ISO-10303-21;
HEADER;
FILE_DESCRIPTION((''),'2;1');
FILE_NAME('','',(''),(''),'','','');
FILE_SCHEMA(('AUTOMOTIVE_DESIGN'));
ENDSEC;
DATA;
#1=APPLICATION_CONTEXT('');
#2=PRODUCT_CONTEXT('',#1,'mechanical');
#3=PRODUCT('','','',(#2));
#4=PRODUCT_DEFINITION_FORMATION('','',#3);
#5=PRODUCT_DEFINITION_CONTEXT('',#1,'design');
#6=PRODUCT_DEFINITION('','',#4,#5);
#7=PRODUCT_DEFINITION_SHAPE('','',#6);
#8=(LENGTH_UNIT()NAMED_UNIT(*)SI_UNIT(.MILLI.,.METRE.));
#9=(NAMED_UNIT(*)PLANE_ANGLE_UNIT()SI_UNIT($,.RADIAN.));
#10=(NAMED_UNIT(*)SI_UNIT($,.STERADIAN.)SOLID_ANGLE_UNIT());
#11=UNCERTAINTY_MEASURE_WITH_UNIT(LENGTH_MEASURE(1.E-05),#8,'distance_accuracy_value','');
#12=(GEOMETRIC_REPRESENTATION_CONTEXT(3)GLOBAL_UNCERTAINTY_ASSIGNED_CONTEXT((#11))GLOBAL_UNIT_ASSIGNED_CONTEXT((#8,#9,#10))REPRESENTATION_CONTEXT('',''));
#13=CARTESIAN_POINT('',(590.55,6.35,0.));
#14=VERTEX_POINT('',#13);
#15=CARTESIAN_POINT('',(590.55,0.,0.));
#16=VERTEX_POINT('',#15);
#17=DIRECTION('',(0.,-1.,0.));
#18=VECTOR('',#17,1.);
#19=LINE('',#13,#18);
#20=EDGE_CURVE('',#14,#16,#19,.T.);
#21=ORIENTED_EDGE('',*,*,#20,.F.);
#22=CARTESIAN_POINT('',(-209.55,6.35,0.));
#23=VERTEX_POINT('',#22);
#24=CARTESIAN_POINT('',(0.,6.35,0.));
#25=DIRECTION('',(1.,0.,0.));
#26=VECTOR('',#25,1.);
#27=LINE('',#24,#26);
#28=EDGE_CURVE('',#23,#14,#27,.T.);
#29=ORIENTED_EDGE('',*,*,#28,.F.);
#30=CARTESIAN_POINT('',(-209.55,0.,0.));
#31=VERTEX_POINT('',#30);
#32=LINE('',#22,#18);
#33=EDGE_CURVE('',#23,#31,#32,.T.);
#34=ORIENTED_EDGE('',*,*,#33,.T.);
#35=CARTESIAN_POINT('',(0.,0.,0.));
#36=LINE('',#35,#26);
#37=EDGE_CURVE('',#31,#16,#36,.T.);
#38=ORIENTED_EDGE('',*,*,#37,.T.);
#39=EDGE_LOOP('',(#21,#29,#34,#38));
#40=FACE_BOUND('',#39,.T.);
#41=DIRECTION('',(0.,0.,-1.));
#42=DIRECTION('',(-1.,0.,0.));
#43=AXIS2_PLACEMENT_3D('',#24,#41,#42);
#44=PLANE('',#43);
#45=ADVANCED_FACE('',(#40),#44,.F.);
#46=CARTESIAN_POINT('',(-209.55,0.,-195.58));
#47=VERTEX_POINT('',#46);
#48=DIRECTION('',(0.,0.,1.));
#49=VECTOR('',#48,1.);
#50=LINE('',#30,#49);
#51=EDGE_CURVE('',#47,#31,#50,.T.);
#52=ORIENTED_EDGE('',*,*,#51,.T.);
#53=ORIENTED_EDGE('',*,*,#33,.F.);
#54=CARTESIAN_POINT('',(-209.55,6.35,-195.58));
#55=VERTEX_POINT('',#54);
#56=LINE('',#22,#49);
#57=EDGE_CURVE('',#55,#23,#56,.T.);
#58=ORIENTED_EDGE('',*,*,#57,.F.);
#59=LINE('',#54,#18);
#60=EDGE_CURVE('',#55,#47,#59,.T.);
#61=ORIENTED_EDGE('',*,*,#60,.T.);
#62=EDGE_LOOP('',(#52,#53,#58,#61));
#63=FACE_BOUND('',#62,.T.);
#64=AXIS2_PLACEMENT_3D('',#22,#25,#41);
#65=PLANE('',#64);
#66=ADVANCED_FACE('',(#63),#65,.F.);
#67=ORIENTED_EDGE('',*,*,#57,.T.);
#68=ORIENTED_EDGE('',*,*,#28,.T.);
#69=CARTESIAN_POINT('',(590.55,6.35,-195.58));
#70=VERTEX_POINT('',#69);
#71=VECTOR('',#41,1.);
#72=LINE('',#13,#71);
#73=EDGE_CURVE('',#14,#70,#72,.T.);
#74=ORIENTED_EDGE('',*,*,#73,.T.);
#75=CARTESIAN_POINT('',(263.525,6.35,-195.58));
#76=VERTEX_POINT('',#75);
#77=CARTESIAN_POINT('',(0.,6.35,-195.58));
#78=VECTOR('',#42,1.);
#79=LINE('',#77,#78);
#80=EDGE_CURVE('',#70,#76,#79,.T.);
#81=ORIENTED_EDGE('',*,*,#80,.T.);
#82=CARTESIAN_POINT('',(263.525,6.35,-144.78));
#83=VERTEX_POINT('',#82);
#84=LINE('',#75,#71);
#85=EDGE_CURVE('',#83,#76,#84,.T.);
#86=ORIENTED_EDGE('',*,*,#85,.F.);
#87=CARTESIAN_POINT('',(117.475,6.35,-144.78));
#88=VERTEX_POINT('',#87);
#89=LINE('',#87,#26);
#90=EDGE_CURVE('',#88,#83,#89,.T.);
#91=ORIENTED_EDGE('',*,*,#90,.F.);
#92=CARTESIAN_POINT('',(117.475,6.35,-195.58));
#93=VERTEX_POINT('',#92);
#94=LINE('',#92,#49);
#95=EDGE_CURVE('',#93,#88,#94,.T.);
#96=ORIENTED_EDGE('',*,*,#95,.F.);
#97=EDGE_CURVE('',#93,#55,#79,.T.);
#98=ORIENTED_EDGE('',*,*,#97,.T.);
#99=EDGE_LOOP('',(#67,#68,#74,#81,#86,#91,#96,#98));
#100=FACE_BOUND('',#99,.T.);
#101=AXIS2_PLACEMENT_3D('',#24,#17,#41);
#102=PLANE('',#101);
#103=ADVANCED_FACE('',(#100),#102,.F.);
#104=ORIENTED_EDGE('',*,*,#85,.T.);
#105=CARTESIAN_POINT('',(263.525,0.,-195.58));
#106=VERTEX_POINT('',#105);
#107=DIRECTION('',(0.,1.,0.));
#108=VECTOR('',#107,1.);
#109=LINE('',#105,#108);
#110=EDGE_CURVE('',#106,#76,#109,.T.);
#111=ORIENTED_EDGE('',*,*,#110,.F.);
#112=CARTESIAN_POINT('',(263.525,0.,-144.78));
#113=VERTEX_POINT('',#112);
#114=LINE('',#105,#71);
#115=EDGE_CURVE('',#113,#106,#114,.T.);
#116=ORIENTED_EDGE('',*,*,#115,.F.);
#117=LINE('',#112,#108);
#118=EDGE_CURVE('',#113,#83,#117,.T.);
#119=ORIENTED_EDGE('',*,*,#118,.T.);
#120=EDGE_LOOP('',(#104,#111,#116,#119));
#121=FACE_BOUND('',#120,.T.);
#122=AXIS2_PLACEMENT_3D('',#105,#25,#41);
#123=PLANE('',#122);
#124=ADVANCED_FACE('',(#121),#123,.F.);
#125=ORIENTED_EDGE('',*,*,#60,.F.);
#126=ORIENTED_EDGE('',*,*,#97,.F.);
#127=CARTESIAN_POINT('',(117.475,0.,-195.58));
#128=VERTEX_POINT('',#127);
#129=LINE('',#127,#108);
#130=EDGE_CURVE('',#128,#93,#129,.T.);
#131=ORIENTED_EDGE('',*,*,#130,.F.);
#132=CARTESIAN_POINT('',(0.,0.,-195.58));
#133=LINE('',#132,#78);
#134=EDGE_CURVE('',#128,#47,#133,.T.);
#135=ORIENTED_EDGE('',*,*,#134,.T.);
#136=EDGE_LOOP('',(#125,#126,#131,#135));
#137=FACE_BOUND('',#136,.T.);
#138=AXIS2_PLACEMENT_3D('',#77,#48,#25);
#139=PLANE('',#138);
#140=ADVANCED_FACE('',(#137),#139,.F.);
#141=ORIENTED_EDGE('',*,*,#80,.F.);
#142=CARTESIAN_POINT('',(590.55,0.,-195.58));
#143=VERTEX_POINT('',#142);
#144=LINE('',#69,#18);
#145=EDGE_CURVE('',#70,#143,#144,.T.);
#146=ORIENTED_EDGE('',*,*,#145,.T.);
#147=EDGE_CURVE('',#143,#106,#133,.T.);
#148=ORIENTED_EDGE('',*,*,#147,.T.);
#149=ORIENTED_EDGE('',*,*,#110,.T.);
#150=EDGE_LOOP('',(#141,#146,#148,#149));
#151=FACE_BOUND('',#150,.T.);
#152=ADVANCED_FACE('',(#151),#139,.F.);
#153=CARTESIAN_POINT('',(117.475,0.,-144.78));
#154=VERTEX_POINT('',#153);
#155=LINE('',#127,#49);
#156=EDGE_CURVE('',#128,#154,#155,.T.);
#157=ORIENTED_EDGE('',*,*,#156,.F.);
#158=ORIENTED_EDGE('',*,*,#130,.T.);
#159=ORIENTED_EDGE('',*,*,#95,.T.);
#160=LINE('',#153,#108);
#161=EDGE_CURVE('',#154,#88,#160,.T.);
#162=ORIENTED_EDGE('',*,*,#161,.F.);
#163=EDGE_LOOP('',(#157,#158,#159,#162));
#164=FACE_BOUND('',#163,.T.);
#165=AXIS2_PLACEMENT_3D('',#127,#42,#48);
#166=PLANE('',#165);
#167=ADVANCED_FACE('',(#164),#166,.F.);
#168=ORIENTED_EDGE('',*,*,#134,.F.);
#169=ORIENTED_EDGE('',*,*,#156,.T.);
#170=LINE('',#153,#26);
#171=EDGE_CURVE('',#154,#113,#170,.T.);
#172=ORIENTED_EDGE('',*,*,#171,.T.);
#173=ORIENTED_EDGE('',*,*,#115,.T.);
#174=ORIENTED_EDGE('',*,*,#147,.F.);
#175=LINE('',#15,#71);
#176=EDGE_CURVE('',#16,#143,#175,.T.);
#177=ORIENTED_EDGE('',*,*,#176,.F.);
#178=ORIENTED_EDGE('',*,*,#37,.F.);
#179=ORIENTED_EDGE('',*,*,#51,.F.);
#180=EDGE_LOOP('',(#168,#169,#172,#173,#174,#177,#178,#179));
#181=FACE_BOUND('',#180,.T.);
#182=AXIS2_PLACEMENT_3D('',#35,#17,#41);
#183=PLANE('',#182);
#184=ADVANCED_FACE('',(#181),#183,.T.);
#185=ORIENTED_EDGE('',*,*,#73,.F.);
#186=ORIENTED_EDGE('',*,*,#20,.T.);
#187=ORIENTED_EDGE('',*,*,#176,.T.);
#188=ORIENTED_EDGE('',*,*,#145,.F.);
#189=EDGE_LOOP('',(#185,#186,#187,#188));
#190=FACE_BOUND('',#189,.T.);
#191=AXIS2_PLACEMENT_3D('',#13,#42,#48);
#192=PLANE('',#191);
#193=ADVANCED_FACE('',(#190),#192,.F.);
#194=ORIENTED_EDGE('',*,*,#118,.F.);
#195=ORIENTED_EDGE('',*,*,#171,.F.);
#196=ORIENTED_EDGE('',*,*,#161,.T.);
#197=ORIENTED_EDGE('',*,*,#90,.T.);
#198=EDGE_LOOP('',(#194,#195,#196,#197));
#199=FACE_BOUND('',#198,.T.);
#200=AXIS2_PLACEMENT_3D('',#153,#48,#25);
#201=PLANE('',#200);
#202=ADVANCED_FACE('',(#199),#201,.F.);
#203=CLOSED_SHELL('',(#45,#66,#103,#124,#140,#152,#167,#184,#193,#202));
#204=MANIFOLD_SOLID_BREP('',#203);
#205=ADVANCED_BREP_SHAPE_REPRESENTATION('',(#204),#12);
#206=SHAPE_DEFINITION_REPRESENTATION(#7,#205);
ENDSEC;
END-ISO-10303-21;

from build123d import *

# Parameters (mm, degrees)
SKETCH5_W           = 381
SKETCH5_H           = 195.58
BOSS_EXTRUDE2_DEPTH = 6.35
SKETCH6_W           = 209.55
SKETCH6_H           = 195.58
BOSS_EXTRUDE3_DEPTH = 6.35
SKETCH7_W           = 209.55
SKETCH7_H           = 195.58
BOSS_EXTRUDE4_DEPTH = 6.35
SKETCH9_W           = 146.05
SKETCH9_H           = 50.8
CUT_EXTRUDE1_DEPTH  = 7.35


with BuildPart() as part:
    # Sketch5 → Boss-Extrude2 (new body)
    with BuildSketch(Plane(origin=(0, 0, 0), x_dir=(1, 0, 0), z_dir=(0, 1, 0))):
        with Locations((190.5, 97.79)):
            Rectangle(SKETCH5_W, SKETCH5_H)
    extrude(amount=BOSS_EXTRUDE2_DEPTH)

    # Sketch6 → Boss-Extrude3 (add)
    with BuildSketch(Plane(origin=(0, 0, 0), x_dir=(1, 0, 0), z_dir=(0, 1, 0))):
        with Locations((485.775, 97.79)):
            Rectangle(SKETCH6_W, SKETCH6_H)
    extrude(amount=BOSS_EXTRUDE3_DEPTH)

    # Sketch7 → Boss-Extrude4 (add)
    with BuildSketch(Plane(origin=(0, 0, 0), x_dir=(1, 0, 0), z_dir=(0, 1, 0))):
        with Locations((-104.775, 97.79)):
            Rectangle(SKETCH7_W, SKETCH7_H)
    extrude(amount=BOSS_EXTRUDE4_DEPTH)

    # Sketch9 → Cut-Extrude1 (cut, through all)
    with BuildSketch(Plane(origin=(0, 6.35, 0), x_dir=(1, 0, 0), z_dir=(0, 1, 0))):
        with Locations((190.5, 170.18)):
            Rectangle(SKETCH9_W, SKETCH9_H)
    extrude(amount=-CUT_EXTRUDE1_DEPTH, mode=Mode.SUBTRACT)


solid = part.part
